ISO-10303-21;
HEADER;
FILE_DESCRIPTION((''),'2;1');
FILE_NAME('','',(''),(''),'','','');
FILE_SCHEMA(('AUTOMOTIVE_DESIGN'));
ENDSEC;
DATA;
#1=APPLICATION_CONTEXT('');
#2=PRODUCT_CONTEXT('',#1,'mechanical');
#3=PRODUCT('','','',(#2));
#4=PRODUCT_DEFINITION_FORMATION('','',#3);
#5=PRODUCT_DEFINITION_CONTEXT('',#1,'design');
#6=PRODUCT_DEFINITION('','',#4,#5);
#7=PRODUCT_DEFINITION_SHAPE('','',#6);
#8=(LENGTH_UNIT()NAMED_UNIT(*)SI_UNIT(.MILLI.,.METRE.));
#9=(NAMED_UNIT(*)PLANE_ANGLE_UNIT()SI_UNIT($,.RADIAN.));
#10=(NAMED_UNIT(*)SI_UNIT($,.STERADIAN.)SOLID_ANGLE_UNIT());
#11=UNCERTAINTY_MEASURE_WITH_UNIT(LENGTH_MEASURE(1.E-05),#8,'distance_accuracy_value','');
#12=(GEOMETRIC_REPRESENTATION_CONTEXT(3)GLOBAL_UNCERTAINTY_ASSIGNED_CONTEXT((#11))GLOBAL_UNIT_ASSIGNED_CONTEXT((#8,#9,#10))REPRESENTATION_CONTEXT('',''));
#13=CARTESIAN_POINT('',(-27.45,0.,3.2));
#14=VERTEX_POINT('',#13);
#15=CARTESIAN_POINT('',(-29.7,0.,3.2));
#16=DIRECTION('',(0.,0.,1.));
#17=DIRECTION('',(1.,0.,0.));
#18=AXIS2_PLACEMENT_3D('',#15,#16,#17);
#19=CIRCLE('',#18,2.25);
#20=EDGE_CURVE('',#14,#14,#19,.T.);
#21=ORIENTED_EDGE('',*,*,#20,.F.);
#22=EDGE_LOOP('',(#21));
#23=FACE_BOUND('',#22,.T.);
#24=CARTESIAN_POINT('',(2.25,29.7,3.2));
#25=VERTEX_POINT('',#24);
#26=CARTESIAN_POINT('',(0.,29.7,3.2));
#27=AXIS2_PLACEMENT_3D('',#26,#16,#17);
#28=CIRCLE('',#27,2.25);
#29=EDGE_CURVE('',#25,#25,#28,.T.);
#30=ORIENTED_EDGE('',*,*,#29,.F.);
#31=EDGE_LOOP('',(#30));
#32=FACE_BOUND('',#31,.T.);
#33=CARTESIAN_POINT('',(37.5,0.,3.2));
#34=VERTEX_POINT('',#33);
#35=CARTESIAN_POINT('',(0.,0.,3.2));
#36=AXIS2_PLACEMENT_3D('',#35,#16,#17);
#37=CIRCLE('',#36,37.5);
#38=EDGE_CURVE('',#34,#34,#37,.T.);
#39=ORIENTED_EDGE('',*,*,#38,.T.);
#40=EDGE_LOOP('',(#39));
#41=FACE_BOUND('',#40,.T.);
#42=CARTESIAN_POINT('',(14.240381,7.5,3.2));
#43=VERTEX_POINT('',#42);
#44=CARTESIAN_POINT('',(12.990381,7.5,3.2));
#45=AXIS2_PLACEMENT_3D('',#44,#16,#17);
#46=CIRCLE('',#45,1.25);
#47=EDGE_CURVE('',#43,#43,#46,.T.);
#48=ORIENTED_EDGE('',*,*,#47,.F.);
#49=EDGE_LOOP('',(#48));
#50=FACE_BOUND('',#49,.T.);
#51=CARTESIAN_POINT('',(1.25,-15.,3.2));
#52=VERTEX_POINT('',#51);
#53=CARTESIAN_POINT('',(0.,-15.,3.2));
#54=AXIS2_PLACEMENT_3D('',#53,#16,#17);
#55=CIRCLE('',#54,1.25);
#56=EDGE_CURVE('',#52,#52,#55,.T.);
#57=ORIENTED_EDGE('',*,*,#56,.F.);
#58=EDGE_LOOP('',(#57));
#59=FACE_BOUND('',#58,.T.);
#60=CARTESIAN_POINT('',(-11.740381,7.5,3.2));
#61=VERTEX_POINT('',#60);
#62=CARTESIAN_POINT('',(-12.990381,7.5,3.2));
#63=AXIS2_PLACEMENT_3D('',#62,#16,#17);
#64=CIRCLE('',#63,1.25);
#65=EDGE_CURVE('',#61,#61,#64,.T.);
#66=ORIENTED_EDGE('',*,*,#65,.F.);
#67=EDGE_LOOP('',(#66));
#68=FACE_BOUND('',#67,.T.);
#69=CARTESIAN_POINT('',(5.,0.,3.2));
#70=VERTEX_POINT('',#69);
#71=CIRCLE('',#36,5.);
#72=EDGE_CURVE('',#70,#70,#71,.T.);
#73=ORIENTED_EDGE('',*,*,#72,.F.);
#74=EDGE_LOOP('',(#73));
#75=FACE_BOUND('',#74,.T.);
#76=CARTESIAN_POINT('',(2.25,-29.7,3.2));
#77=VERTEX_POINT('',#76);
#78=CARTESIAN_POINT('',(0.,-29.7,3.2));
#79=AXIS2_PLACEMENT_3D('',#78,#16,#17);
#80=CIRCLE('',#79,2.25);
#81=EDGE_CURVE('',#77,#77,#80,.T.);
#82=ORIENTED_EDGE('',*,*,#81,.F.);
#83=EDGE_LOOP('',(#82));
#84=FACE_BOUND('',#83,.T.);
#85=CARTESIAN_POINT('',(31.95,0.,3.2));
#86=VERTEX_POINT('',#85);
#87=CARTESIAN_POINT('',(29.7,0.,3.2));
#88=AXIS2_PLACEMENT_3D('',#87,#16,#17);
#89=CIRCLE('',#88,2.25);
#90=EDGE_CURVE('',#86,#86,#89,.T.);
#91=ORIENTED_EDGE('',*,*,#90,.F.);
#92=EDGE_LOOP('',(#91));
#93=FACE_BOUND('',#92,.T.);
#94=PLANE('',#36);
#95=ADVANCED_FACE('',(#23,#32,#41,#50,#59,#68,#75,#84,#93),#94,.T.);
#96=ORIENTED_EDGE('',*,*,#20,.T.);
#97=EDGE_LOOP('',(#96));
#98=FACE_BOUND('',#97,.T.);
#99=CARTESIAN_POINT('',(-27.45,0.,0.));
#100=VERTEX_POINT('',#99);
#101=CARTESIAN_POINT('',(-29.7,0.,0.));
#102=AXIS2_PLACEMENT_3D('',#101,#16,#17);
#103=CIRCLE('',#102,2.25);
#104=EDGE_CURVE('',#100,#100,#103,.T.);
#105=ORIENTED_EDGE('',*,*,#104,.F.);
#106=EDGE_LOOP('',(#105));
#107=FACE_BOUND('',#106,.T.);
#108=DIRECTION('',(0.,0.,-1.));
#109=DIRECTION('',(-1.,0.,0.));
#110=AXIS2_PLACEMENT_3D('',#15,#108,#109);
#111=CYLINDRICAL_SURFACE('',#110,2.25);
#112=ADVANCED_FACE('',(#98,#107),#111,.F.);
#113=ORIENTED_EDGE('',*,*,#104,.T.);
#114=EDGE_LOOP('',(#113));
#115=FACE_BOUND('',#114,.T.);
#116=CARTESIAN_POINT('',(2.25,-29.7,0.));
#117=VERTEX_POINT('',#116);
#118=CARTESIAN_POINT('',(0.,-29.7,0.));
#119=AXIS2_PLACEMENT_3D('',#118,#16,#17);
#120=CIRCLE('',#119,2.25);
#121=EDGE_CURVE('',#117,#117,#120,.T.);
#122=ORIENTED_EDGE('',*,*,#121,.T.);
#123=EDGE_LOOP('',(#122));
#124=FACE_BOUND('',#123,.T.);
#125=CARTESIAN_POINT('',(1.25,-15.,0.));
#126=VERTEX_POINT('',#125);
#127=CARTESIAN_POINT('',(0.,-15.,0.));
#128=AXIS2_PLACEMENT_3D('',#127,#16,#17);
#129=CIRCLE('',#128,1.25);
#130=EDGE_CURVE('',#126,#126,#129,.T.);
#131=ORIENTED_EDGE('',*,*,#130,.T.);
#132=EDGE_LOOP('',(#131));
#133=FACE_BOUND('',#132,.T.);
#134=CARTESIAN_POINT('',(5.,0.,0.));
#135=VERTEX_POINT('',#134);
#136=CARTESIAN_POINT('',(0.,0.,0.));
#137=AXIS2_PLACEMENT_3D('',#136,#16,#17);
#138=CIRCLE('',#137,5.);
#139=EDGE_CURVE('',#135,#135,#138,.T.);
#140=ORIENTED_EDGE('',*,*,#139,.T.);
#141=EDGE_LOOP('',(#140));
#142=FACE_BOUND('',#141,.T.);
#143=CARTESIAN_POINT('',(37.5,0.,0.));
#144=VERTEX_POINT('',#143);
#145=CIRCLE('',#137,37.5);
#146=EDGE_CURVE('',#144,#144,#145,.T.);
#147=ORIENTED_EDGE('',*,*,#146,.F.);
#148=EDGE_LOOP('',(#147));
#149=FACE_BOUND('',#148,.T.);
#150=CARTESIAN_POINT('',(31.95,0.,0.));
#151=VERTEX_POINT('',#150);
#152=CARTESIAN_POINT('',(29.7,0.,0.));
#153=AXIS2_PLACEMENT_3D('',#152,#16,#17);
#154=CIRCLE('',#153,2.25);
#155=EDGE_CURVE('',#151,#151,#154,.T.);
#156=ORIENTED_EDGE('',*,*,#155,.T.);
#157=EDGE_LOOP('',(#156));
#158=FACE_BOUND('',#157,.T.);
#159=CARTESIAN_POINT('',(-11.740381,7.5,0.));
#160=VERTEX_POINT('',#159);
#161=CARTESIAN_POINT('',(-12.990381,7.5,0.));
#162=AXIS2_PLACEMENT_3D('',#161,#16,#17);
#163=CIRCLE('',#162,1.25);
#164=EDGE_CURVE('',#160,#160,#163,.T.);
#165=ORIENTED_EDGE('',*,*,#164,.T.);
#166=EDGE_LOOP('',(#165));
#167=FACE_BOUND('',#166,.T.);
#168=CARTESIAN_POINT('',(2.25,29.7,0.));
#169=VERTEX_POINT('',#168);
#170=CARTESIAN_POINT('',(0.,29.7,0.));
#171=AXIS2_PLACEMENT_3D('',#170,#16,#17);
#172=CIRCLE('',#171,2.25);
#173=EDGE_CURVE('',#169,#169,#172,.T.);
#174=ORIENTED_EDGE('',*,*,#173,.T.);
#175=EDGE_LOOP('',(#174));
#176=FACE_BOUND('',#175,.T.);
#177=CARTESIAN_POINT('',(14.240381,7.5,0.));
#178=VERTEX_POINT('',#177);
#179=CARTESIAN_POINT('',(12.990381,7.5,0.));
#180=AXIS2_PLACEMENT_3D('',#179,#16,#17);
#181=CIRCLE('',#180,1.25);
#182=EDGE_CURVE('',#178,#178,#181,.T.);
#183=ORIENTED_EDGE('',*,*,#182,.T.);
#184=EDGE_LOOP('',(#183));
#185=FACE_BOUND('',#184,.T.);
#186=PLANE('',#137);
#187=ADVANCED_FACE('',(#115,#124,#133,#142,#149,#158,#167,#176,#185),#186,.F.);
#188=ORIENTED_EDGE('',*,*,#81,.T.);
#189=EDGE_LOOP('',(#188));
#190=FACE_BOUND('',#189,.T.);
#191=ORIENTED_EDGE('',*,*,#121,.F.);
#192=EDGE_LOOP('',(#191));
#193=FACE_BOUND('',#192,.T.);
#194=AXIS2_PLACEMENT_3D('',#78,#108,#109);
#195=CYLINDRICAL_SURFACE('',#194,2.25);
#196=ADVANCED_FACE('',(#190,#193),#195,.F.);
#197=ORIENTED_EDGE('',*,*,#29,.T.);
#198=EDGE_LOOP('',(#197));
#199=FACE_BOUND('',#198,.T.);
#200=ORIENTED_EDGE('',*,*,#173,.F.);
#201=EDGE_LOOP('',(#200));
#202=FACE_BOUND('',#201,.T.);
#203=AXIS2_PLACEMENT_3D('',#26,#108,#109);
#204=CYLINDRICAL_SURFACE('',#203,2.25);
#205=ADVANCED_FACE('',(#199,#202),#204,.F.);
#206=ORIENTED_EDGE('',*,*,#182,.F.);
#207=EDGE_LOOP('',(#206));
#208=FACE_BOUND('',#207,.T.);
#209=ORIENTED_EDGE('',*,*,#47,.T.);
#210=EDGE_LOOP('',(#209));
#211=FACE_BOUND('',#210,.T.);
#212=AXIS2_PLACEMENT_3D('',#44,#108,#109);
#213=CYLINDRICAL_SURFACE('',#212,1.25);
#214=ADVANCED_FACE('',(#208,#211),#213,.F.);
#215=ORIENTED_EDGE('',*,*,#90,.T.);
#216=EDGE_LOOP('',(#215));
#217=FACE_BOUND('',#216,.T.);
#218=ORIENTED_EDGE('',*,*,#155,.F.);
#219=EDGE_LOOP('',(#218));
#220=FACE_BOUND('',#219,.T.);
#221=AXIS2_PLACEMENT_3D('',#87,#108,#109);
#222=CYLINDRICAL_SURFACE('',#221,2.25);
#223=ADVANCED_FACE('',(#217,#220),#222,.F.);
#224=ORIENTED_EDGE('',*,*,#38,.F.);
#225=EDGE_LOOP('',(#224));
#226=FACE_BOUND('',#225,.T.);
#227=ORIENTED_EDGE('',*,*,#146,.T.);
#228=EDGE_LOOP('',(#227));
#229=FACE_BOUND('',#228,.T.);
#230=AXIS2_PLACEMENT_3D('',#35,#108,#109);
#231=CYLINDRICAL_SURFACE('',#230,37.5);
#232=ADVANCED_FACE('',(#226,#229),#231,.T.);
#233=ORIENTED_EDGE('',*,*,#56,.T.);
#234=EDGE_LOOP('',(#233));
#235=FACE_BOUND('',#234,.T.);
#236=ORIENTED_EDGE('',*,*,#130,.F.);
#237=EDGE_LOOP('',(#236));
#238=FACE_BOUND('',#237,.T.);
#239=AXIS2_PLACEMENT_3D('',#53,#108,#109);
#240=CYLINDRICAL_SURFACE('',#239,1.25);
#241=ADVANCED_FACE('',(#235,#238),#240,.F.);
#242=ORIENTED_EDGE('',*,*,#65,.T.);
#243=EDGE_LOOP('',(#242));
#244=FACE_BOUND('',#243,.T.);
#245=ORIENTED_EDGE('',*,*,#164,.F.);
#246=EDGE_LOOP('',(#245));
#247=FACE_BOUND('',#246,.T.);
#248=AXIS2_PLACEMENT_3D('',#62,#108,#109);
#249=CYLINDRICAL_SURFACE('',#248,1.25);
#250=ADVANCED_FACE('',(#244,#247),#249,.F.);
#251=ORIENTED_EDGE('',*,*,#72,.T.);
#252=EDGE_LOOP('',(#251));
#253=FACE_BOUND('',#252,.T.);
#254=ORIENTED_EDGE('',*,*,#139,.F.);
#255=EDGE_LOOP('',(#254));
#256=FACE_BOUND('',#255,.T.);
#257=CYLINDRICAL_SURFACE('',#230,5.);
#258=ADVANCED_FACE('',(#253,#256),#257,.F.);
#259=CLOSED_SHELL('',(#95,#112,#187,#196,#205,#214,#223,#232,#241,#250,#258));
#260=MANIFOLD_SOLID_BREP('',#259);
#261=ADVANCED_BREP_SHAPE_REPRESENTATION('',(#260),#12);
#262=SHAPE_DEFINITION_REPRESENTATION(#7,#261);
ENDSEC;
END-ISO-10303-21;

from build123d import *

# Parameters (mm, degrees)
SKETCH1_R           = 37.5
SKETCH1_R_2         = 2.25
SKETCH1_R_3         = 5
SKETCH1_R_4         = 1.25
BOSS_EXTRUDE1_DEPTH = 3.2


with BuildPart() as part:
    # Sketch1 → Boss-Extrude1 (new body)
    with BuildSketch(Plane.XY):
        Circle(SKETCH1_R)
        with Locations((0, 29.7)):
            Circle(SKETCH1_R_2, mode=Mode.SUBTRACT)
        Circle(SKETCH1_R_3, mode=Mode.SUBTRACT)
        with Locations((29.7, 0)):
            Circle(SKETCH1_R_2, mode=Mode.SUBTRACT)
        with Locations((0, -29.7)):
            Circle(SKETCH1_R_2, mode=Mode.SUBTRACT)
        with Locations((-29.7, 0)):
            Circle(SKETCH1_R_2, mode=Mode.SUBTRACT)
        with Locations((-12.990381057, 7.5)):
            Circle(SKETCH1_R_4, mode=Mode.SUBTRACT)
        with Locations((12.990381057, 7.5)):
            Circle(SKETCH1_R_4, mode=Mode.SUBTRACT)
        with Locations((0, -15)):
            Circle(SKETCH1_R_4, mode=Mode.SUBTRACT)
    extrude(amount=BOSS_EXTRUDE1_DEPTH)


solid = part.part
